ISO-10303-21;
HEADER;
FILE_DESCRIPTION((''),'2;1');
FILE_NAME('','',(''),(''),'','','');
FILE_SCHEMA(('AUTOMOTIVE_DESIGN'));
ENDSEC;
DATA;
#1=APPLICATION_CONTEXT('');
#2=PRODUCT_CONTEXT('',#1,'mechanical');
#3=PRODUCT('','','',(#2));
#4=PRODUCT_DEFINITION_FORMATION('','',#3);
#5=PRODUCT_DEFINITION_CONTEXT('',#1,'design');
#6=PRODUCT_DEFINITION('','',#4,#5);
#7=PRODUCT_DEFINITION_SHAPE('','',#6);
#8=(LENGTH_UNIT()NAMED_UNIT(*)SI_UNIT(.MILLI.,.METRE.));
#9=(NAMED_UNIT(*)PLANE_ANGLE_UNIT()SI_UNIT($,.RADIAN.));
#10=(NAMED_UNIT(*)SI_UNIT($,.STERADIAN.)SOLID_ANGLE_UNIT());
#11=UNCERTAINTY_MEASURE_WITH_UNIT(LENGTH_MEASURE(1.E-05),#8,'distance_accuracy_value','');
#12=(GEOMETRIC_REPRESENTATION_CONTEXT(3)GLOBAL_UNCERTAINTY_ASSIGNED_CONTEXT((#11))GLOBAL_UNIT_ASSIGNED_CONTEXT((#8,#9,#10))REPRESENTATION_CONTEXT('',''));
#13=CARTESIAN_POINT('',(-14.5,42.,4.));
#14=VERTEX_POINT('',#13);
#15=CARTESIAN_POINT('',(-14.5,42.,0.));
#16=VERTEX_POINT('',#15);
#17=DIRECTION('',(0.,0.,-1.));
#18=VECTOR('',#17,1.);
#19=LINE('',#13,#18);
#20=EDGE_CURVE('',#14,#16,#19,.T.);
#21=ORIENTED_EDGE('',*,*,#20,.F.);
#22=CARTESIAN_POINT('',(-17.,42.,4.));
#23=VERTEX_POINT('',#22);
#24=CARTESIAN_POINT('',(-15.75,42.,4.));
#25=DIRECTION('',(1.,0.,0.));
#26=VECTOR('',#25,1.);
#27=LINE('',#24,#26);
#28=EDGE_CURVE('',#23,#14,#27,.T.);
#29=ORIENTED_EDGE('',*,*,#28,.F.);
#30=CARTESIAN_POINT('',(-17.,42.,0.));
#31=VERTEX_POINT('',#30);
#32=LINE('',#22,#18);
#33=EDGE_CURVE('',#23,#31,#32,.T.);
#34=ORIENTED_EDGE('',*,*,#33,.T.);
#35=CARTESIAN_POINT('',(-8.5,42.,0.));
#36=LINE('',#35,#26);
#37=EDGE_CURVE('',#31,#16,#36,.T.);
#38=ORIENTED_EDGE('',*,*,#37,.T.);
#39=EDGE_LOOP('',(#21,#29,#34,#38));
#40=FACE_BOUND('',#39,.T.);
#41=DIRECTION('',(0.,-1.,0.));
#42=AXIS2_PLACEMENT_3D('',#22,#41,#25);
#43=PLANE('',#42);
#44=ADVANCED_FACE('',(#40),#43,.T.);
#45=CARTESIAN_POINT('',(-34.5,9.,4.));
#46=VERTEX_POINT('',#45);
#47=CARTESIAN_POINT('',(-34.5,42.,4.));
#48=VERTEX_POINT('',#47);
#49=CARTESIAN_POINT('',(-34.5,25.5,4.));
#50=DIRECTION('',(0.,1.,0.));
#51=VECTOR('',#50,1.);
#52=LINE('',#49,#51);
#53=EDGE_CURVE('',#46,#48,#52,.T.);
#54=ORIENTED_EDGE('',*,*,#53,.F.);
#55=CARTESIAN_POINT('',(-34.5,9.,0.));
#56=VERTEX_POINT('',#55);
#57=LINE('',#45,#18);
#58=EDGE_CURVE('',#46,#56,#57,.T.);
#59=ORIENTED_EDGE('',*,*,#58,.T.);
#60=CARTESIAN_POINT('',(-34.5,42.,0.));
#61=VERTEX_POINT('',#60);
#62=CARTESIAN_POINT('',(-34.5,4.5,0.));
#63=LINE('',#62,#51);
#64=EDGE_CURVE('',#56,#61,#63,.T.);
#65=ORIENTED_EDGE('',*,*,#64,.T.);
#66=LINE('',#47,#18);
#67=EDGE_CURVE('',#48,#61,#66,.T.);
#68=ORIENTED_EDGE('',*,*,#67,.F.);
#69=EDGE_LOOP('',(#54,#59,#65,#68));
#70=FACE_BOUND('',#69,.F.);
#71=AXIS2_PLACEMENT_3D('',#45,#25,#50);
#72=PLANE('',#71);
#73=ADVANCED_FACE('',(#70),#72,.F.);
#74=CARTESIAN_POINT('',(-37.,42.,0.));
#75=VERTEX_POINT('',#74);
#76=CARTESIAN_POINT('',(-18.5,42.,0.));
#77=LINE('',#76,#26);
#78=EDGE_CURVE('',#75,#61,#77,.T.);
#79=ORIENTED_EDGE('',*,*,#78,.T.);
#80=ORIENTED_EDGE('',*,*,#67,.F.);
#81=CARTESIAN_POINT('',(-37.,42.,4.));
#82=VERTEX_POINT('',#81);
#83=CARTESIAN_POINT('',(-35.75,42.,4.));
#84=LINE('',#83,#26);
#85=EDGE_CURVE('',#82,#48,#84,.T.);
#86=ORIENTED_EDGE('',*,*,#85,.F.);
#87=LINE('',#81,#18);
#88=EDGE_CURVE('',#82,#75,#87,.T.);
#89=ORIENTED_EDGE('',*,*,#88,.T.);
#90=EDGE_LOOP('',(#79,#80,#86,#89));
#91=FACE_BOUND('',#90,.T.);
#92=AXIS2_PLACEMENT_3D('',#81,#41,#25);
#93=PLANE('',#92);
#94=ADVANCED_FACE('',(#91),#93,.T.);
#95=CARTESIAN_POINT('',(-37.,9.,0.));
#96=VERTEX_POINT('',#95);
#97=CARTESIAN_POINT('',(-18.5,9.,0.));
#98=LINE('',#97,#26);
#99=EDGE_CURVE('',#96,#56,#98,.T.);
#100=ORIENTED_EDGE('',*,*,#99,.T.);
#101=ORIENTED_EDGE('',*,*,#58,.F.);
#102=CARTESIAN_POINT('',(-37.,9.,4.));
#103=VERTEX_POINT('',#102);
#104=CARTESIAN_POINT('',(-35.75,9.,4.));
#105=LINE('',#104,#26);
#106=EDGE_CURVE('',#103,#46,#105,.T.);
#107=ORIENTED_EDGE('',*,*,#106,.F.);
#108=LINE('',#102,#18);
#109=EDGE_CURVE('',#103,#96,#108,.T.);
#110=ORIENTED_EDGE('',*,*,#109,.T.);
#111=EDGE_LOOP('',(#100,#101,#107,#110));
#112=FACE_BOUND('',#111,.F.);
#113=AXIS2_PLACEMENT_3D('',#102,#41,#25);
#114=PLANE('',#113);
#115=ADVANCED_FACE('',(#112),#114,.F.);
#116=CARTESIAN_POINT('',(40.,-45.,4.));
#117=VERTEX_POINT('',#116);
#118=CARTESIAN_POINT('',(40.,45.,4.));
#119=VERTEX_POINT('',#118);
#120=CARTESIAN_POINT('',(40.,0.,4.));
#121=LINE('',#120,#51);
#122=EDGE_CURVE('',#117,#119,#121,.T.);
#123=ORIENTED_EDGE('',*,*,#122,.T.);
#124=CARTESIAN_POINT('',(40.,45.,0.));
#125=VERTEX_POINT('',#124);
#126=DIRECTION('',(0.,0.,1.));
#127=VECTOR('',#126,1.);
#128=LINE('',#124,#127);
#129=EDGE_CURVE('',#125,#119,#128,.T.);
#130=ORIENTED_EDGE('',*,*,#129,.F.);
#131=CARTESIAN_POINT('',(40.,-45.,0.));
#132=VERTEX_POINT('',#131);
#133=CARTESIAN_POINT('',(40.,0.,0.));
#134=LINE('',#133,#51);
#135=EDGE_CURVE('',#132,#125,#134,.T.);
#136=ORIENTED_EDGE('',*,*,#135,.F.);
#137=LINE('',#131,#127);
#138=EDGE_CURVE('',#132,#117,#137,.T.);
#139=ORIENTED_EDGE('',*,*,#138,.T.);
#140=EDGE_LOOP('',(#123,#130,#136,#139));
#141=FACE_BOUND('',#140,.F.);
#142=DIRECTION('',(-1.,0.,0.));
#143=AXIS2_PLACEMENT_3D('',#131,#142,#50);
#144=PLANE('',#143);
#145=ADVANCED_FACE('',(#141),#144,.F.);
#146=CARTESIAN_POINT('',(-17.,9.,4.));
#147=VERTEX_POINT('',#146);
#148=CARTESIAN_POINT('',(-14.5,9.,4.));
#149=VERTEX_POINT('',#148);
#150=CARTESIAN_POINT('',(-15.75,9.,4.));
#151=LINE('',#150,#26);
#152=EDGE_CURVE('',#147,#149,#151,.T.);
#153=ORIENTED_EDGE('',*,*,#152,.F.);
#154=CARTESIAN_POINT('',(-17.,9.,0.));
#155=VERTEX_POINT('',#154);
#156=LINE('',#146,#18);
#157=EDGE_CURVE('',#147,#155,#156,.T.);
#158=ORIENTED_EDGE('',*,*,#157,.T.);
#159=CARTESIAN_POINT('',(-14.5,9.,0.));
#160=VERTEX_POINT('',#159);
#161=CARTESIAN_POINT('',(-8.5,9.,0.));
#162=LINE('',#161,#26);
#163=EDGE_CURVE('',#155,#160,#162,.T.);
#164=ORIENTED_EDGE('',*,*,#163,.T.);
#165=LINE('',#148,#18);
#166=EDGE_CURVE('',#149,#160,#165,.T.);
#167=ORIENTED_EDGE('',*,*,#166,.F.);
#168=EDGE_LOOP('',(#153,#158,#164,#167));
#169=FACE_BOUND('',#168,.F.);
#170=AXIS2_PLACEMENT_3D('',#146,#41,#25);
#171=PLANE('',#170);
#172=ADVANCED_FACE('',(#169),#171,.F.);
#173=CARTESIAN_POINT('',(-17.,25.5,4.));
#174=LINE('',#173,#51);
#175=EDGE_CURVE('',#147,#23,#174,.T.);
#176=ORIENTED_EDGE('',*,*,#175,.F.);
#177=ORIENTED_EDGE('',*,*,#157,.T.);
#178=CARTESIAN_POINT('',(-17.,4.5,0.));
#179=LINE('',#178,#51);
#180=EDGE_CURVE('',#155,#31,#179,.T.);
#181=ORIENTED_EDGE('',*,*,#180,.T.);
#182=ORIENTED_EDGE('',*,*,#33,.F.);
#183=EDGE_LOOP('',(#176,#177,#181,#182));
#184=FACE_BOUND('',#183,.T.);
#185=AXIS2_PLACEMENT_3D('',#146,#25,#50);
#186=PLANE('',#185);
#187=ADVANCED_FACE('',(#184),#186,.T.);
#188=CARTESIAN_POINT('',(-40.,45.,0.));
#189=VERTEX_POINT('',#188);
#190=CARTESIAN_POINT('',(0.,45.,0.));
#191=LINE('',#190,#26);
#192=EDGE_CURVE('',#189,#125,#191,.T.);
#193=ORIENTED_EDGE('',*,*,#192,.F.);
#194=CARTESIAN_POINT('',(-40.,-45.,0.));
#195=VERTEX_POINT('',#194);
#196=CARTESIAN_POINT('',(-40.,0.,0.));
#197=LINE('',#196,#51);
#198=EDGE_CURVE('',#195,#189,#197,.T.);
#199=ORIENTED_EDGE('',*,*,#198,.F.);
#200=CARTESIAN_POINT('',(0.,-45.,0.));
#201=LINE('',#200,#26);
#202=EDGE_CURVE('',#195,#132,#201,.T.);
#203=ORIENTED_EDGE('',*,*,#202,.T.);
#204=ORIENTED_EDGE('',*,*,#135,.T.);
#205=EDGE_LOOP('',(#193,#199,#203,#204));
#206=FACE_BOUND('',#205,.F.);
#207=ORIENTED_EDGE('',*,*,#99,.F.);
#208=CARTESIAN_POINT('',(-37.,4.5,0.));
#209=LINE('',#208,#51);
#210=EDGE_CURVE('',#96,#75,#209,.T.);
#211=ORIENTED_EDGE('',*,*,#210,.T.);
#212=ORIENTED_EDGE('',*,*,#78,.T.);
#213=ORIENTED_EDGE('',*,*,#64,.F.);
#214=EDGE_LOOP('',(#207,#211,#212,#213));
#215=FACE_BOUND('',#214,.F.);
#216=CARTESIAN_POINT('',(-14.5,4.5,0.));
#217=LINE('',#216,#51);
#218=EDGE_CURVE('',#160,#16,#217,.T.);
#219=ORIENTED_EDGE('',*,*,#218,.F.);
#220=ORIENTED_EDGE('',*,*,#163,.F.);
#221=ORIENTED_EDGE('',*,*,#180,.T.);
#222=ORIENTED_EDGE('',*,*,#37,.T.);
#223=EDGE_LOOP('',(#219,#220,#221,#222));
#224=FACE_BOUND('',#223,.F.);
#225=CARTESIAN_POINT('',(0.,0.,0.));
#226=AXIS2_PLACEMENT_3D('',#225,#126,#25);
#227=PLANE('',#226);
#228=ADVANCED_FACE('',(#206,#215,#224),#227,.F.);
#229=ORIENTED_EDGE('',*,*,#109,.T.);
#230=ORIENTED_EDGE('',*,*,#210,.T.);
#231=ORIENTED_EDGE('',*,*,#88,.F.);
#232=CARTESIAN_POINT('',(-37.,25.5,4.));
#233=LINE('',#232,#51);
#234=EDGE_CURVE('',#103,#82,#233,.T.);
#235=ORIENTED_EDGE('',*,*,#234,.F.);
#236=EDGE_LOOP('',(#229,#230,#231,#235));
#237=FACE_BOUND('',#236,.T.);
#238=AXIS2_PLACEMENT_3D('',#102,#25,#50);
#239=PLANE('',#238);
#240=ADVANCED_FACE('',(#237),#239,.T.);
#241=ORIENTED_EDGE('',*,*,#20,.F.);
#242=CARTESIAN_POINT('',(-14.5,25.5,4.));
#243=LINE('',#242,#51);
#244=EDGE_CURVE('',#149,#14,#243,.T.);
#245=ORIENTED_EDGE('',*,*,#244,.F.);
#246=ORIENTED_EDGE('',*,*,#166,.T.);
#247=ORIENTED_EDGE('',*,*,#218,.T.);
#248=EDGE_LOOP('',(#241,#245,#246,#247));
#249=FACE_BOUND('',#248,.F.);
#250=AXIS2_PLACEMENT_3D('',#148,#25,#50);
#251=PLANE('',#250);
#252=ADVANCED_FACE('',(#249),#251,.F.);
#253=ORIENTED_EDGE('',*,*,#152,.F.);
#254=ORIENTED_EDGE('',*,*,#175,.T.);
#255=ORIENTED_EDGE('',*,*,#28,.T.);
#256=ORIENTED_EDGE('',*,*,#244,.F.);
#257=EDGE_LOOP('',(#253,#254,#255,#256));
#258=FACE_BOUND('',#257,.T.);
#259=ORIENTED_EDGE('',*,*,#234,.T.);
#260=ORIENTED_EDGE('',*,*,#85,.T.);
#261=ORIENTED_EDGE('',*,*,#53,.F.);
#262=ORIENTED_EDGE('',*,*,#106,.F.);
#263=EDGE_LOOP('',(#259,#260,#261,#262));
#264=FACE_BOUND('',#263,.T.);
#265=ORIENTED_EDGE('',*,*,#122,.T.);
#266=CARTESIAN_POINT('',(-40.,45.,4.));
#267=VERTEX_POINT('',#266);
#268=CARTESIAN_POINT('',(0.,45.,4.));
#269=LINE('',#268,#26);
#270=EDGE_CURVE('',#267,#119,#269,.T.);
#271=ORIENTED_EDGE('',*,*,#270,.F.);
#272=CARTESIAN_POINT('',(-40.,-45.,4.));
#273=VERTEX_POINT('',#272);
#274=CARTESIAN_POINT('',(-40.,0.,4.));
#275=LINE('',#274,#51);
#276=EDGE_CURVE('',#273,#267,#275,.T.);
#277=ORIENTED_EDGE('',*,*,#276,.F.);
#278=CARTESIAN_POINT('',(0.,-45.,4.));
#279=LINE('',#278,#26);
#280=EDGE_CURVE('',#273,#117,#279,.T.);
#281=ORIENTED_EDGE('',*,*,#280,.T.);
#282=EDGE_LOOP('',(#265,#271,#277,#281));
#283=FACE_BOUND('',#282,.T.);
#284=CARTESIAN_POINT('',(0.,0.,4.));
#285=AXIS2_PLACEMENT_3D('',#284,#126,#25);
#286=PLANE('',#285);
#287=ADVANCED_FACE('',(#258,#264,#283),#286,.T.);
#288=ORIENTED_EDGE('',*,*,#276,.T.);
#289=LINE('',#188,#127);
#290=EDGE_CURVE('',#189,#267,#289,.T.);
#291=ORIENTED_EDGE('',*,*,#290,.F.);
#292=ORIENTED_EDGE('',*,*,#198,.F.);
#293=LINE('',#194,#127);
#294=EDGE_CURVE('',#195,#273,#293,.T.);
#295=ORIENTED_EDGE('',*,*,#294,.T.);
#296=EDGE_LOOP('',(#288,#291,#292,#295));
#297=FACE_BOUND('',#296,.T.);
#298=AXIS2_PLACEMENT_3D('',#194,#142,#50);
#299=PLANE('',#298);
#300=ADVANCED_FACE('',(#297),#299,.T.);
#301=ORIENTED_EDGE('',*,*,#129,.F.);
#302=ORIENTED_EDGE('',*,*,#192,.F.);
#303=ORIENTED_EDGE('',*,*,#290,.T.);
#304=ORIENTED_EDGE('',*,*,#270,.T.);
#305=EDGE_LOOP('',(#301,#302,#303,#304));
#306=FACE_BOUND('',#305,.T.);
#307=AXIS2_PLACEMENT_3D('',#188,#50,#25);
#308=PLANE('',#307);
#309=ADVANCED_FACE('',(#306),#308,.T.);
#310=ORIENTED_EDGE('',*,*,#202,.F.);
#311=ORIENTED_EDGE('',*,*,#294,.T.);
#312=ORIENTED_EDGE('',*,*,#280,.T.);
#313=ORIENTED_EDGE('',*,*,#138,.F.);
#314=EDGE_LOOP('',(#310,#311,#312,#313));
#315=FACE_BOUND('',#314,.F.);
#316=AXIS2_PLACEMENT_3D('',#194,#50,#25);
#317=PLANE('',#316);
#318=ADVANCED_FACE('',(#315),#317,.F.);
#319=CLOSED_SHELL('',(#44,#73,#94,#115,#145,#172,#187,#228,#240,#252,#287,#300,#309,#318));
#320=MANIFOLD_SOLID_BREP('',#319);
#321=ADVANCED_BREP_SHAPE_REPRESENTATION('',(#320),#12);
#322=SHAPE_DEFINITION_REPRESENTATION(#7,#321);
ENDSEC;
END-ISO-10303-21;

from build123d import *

# Parameters (mm, degrees)
F0_W     = 80
F0_H     = 90
F1_DEPTH = 4
F2_W     = 2.5
F2_H     = 33
F3_DEPTH = 4.001


with BuildPart() as f1:
    # F0 (on Top) → F1 (new body)
    with BuildSketch(Plane.XY):
        Rectangle(F0_W, F0_H)
    extrude(amount=F1_DEPTH)

    # F2 (on face) → F3 (cut, through all)
    with BuildSketch(Plane.XY.offset(4)):
        with Locations((-35.75, 25.5)):
            Rectangle(F2_W, F2_H)
        with Locations((-15.75, 25.5)):
            Rectangle(F2_W, F2_H)
    extrude(amount=-F3_DEPTH, mode=Mode.SUBTRACT)


solid = f1.part
